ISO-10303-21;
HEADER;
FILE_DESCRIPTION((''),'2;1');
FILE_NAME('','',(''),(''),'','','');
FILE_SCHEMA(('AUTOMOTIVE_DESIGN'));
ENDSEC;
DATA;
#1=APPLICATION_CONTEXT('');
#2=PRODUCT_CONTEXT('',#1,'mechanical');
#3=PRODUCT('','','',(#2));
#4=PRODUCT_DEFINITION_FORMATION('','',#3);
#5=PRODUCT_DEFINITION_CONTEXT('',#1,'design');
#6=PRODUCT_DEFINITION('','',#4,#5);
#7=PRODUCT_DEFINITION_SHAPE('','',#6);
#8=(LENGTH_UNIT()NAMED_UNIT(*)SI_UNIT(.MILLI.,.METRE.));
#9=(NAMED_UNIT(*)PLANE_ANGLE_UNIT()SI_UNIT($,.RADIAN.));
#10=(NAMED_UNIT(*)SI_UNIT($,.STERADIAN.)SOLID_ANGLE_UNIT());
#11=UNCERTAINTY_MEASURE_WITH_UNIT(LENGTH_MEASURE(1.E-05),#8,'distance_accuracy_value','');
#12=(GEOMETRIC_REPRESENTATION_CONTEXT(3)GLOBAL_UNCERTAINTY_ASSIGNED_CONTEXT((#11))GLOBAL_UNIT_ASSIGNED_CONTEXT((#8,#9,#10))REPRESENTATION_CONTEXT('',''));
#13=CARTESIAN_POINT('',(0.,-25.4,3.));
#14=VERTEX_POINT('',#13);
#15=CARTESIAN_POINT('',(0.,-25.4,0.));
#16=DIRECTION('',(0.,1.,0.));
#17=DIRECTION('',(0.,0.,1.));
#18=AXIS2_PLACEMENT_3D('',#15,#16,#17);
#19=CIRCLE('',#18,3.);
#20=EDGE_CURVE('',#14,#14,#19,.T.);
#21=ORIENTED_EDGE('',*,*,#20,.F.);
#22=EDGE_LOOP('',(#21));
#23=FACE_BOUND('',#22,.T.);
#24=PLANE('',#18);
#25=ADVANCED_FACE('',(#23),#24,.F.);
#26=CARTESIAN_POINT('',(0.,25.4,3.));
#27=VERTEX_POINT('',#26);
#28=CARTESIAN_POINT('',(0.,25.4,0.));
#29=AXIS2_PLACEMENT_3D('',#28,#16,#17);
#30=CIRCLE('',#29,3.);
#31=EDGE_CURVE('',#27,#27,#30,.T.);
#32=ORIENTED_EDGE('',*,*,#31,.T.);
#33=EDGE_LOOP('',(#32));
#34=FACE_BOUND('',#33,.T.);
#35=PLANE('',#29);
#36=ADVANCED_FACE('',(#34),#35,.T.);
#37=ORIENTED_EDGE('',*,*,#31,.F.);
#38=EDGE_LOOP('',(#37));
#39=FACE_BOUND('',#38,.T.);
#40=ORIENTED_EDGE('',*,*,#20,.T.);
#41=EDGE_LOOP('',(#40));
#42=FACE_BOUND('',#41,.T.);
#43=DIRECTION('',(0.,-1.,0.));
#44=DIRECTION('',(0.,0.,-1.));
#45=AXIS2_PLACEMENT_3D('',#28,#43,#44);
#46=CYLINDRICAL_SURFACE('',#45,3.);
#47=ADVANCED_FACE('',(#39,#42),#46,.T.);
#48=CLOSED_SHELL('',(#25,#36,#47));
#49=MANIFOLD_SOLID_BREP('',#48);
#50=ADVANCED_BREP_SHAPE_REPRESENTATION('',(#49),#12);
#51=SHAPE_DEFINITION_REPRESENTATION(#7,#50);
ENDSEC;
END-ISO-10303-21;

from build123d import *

# Parameters (mm, degrees)
SKETCH1_R           = 3
BOSS_EXTRUDE1_DEPTH = 25.4


with BuildPart() as part:
    # Sketch1 → Boss-Extrude1 (new body, symmetric)
    with BuildSketch(Plane(origin=(0, 0, 0), x_dir=(1, 0, 0), z_dir=(0, 1, 0))):
        Circle(SKETCH1_R)
    extrude(amount=BOSS_EXTRUDE1_DEPTH, both=True)


solid = part.part
